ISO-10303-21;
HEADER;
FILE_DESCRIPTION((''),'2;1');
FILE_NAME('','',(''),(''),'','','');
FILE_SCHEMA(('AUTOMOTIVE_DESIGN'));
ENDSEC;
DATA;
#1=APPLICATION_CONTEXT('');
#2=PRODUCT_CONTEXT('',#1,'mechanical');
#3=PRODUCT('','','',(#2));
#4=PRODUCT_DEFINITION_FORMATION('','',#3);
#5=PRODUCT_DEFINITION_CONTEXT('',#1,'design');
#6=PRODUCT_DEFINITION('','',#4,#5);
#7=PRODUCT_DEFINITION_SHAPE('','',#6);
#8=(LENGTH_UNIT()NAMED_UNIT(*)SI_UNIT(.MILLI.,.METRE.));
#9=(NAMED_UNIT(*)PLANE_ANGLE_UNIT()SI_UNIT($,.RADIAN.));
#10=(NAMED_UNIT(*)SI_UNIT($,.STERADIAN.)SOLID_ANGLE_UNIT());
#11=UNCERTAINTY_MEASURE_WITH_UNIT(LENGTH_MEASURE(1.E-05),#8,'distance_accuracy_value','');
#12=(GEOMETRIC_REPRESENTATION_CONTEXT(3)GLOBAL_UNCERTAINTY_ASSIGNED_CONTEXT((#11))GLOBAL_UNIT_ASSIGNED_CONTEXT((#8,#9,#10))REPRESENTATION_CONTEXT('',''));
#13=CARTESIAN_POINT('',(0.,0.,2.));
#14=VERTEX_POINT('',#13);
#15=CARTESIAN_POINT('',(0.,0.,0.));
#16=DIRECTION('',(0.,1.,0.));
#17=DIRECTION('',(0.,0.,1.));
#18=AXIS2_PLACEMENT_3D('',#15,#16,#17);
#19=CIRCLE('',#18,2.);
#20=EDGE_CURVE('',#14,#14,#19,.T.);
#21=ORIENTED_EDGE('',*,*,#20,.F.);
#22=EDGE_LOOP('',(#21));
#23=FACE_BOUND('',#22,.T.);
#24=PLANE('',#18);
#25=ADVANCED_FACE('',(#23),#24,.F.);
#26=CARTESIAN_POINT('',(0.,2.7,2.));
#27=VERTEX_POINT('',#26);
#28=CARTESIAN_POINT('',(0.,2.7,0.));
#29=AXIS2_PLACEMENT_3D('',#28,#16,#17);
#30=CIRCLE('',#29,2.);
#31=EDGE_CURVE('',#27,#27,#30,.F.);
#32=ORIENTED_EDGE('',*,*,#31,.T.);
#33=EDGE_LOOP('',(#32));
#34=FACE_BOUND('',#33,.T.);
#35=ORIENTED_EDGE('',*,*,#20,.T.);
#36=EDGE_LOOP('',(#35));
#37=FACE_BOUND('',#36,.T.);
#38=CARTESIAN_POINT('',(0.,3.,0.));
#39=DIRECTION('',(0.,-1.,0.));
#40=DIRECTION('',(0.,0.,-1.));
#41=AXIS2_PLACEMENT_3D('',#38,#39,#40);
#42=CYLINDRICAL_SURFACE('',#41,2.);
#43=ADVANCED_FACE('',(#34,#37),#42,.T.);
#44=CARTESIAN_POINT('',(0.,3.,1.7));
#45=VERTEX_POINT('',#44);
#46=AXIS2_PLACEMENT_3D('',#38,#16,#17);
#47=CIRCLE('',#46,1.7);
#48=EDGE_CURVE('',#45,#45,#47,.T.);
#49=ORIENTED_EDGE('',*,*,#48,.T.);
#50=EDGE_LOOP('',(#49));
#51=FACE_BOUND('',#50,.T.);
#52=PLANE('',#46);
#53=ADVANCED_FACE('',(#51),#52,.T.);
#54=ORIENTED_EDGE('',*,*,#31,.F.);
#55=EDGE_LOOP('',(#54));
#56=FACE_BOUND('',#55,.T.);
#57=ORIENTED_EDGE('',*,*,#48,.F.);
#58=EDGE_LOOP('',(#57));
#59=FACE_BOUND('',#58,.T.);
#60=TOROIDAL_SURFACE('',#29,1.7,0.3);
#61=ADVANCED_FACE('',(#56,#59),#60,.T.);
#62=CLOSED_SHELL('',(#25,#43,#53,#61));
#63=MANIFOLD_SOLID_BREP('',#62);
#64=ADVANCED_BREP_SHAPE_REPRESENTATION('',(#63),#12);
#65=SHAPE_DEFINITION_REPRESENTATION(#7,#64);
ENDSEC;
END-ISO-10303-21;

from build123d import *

# Parameters (mm, degrees)
ESQUISSE1_R      = 2
EXTRUSION1_DEPTH = 3
CONG_1_R         = 0.3


with BuildPart() as part:
    # Esquisse1 → Extrusion1 (new body)
    with BuildSketch(Plane(origin=(0, 0, 0), x_dir=(1, 0, 0), z_dir=(0, 1, 0))):
        with Locations(Location((0, 0, 0), (0, 0, 270))):  # turned: the seam where the file's is
            Circle(ESQUISSE1_R)
    extrude(amount=EXTRUSION1_DEPTH)

    # Congé1
    cong_1_edges = [part.edges().sort_by_distance(p)[0] for p in [
        (0, 3, -2),
    ]]
    fillet(cong_1_edges, radius=CONG_1_R)


solid = part.part
